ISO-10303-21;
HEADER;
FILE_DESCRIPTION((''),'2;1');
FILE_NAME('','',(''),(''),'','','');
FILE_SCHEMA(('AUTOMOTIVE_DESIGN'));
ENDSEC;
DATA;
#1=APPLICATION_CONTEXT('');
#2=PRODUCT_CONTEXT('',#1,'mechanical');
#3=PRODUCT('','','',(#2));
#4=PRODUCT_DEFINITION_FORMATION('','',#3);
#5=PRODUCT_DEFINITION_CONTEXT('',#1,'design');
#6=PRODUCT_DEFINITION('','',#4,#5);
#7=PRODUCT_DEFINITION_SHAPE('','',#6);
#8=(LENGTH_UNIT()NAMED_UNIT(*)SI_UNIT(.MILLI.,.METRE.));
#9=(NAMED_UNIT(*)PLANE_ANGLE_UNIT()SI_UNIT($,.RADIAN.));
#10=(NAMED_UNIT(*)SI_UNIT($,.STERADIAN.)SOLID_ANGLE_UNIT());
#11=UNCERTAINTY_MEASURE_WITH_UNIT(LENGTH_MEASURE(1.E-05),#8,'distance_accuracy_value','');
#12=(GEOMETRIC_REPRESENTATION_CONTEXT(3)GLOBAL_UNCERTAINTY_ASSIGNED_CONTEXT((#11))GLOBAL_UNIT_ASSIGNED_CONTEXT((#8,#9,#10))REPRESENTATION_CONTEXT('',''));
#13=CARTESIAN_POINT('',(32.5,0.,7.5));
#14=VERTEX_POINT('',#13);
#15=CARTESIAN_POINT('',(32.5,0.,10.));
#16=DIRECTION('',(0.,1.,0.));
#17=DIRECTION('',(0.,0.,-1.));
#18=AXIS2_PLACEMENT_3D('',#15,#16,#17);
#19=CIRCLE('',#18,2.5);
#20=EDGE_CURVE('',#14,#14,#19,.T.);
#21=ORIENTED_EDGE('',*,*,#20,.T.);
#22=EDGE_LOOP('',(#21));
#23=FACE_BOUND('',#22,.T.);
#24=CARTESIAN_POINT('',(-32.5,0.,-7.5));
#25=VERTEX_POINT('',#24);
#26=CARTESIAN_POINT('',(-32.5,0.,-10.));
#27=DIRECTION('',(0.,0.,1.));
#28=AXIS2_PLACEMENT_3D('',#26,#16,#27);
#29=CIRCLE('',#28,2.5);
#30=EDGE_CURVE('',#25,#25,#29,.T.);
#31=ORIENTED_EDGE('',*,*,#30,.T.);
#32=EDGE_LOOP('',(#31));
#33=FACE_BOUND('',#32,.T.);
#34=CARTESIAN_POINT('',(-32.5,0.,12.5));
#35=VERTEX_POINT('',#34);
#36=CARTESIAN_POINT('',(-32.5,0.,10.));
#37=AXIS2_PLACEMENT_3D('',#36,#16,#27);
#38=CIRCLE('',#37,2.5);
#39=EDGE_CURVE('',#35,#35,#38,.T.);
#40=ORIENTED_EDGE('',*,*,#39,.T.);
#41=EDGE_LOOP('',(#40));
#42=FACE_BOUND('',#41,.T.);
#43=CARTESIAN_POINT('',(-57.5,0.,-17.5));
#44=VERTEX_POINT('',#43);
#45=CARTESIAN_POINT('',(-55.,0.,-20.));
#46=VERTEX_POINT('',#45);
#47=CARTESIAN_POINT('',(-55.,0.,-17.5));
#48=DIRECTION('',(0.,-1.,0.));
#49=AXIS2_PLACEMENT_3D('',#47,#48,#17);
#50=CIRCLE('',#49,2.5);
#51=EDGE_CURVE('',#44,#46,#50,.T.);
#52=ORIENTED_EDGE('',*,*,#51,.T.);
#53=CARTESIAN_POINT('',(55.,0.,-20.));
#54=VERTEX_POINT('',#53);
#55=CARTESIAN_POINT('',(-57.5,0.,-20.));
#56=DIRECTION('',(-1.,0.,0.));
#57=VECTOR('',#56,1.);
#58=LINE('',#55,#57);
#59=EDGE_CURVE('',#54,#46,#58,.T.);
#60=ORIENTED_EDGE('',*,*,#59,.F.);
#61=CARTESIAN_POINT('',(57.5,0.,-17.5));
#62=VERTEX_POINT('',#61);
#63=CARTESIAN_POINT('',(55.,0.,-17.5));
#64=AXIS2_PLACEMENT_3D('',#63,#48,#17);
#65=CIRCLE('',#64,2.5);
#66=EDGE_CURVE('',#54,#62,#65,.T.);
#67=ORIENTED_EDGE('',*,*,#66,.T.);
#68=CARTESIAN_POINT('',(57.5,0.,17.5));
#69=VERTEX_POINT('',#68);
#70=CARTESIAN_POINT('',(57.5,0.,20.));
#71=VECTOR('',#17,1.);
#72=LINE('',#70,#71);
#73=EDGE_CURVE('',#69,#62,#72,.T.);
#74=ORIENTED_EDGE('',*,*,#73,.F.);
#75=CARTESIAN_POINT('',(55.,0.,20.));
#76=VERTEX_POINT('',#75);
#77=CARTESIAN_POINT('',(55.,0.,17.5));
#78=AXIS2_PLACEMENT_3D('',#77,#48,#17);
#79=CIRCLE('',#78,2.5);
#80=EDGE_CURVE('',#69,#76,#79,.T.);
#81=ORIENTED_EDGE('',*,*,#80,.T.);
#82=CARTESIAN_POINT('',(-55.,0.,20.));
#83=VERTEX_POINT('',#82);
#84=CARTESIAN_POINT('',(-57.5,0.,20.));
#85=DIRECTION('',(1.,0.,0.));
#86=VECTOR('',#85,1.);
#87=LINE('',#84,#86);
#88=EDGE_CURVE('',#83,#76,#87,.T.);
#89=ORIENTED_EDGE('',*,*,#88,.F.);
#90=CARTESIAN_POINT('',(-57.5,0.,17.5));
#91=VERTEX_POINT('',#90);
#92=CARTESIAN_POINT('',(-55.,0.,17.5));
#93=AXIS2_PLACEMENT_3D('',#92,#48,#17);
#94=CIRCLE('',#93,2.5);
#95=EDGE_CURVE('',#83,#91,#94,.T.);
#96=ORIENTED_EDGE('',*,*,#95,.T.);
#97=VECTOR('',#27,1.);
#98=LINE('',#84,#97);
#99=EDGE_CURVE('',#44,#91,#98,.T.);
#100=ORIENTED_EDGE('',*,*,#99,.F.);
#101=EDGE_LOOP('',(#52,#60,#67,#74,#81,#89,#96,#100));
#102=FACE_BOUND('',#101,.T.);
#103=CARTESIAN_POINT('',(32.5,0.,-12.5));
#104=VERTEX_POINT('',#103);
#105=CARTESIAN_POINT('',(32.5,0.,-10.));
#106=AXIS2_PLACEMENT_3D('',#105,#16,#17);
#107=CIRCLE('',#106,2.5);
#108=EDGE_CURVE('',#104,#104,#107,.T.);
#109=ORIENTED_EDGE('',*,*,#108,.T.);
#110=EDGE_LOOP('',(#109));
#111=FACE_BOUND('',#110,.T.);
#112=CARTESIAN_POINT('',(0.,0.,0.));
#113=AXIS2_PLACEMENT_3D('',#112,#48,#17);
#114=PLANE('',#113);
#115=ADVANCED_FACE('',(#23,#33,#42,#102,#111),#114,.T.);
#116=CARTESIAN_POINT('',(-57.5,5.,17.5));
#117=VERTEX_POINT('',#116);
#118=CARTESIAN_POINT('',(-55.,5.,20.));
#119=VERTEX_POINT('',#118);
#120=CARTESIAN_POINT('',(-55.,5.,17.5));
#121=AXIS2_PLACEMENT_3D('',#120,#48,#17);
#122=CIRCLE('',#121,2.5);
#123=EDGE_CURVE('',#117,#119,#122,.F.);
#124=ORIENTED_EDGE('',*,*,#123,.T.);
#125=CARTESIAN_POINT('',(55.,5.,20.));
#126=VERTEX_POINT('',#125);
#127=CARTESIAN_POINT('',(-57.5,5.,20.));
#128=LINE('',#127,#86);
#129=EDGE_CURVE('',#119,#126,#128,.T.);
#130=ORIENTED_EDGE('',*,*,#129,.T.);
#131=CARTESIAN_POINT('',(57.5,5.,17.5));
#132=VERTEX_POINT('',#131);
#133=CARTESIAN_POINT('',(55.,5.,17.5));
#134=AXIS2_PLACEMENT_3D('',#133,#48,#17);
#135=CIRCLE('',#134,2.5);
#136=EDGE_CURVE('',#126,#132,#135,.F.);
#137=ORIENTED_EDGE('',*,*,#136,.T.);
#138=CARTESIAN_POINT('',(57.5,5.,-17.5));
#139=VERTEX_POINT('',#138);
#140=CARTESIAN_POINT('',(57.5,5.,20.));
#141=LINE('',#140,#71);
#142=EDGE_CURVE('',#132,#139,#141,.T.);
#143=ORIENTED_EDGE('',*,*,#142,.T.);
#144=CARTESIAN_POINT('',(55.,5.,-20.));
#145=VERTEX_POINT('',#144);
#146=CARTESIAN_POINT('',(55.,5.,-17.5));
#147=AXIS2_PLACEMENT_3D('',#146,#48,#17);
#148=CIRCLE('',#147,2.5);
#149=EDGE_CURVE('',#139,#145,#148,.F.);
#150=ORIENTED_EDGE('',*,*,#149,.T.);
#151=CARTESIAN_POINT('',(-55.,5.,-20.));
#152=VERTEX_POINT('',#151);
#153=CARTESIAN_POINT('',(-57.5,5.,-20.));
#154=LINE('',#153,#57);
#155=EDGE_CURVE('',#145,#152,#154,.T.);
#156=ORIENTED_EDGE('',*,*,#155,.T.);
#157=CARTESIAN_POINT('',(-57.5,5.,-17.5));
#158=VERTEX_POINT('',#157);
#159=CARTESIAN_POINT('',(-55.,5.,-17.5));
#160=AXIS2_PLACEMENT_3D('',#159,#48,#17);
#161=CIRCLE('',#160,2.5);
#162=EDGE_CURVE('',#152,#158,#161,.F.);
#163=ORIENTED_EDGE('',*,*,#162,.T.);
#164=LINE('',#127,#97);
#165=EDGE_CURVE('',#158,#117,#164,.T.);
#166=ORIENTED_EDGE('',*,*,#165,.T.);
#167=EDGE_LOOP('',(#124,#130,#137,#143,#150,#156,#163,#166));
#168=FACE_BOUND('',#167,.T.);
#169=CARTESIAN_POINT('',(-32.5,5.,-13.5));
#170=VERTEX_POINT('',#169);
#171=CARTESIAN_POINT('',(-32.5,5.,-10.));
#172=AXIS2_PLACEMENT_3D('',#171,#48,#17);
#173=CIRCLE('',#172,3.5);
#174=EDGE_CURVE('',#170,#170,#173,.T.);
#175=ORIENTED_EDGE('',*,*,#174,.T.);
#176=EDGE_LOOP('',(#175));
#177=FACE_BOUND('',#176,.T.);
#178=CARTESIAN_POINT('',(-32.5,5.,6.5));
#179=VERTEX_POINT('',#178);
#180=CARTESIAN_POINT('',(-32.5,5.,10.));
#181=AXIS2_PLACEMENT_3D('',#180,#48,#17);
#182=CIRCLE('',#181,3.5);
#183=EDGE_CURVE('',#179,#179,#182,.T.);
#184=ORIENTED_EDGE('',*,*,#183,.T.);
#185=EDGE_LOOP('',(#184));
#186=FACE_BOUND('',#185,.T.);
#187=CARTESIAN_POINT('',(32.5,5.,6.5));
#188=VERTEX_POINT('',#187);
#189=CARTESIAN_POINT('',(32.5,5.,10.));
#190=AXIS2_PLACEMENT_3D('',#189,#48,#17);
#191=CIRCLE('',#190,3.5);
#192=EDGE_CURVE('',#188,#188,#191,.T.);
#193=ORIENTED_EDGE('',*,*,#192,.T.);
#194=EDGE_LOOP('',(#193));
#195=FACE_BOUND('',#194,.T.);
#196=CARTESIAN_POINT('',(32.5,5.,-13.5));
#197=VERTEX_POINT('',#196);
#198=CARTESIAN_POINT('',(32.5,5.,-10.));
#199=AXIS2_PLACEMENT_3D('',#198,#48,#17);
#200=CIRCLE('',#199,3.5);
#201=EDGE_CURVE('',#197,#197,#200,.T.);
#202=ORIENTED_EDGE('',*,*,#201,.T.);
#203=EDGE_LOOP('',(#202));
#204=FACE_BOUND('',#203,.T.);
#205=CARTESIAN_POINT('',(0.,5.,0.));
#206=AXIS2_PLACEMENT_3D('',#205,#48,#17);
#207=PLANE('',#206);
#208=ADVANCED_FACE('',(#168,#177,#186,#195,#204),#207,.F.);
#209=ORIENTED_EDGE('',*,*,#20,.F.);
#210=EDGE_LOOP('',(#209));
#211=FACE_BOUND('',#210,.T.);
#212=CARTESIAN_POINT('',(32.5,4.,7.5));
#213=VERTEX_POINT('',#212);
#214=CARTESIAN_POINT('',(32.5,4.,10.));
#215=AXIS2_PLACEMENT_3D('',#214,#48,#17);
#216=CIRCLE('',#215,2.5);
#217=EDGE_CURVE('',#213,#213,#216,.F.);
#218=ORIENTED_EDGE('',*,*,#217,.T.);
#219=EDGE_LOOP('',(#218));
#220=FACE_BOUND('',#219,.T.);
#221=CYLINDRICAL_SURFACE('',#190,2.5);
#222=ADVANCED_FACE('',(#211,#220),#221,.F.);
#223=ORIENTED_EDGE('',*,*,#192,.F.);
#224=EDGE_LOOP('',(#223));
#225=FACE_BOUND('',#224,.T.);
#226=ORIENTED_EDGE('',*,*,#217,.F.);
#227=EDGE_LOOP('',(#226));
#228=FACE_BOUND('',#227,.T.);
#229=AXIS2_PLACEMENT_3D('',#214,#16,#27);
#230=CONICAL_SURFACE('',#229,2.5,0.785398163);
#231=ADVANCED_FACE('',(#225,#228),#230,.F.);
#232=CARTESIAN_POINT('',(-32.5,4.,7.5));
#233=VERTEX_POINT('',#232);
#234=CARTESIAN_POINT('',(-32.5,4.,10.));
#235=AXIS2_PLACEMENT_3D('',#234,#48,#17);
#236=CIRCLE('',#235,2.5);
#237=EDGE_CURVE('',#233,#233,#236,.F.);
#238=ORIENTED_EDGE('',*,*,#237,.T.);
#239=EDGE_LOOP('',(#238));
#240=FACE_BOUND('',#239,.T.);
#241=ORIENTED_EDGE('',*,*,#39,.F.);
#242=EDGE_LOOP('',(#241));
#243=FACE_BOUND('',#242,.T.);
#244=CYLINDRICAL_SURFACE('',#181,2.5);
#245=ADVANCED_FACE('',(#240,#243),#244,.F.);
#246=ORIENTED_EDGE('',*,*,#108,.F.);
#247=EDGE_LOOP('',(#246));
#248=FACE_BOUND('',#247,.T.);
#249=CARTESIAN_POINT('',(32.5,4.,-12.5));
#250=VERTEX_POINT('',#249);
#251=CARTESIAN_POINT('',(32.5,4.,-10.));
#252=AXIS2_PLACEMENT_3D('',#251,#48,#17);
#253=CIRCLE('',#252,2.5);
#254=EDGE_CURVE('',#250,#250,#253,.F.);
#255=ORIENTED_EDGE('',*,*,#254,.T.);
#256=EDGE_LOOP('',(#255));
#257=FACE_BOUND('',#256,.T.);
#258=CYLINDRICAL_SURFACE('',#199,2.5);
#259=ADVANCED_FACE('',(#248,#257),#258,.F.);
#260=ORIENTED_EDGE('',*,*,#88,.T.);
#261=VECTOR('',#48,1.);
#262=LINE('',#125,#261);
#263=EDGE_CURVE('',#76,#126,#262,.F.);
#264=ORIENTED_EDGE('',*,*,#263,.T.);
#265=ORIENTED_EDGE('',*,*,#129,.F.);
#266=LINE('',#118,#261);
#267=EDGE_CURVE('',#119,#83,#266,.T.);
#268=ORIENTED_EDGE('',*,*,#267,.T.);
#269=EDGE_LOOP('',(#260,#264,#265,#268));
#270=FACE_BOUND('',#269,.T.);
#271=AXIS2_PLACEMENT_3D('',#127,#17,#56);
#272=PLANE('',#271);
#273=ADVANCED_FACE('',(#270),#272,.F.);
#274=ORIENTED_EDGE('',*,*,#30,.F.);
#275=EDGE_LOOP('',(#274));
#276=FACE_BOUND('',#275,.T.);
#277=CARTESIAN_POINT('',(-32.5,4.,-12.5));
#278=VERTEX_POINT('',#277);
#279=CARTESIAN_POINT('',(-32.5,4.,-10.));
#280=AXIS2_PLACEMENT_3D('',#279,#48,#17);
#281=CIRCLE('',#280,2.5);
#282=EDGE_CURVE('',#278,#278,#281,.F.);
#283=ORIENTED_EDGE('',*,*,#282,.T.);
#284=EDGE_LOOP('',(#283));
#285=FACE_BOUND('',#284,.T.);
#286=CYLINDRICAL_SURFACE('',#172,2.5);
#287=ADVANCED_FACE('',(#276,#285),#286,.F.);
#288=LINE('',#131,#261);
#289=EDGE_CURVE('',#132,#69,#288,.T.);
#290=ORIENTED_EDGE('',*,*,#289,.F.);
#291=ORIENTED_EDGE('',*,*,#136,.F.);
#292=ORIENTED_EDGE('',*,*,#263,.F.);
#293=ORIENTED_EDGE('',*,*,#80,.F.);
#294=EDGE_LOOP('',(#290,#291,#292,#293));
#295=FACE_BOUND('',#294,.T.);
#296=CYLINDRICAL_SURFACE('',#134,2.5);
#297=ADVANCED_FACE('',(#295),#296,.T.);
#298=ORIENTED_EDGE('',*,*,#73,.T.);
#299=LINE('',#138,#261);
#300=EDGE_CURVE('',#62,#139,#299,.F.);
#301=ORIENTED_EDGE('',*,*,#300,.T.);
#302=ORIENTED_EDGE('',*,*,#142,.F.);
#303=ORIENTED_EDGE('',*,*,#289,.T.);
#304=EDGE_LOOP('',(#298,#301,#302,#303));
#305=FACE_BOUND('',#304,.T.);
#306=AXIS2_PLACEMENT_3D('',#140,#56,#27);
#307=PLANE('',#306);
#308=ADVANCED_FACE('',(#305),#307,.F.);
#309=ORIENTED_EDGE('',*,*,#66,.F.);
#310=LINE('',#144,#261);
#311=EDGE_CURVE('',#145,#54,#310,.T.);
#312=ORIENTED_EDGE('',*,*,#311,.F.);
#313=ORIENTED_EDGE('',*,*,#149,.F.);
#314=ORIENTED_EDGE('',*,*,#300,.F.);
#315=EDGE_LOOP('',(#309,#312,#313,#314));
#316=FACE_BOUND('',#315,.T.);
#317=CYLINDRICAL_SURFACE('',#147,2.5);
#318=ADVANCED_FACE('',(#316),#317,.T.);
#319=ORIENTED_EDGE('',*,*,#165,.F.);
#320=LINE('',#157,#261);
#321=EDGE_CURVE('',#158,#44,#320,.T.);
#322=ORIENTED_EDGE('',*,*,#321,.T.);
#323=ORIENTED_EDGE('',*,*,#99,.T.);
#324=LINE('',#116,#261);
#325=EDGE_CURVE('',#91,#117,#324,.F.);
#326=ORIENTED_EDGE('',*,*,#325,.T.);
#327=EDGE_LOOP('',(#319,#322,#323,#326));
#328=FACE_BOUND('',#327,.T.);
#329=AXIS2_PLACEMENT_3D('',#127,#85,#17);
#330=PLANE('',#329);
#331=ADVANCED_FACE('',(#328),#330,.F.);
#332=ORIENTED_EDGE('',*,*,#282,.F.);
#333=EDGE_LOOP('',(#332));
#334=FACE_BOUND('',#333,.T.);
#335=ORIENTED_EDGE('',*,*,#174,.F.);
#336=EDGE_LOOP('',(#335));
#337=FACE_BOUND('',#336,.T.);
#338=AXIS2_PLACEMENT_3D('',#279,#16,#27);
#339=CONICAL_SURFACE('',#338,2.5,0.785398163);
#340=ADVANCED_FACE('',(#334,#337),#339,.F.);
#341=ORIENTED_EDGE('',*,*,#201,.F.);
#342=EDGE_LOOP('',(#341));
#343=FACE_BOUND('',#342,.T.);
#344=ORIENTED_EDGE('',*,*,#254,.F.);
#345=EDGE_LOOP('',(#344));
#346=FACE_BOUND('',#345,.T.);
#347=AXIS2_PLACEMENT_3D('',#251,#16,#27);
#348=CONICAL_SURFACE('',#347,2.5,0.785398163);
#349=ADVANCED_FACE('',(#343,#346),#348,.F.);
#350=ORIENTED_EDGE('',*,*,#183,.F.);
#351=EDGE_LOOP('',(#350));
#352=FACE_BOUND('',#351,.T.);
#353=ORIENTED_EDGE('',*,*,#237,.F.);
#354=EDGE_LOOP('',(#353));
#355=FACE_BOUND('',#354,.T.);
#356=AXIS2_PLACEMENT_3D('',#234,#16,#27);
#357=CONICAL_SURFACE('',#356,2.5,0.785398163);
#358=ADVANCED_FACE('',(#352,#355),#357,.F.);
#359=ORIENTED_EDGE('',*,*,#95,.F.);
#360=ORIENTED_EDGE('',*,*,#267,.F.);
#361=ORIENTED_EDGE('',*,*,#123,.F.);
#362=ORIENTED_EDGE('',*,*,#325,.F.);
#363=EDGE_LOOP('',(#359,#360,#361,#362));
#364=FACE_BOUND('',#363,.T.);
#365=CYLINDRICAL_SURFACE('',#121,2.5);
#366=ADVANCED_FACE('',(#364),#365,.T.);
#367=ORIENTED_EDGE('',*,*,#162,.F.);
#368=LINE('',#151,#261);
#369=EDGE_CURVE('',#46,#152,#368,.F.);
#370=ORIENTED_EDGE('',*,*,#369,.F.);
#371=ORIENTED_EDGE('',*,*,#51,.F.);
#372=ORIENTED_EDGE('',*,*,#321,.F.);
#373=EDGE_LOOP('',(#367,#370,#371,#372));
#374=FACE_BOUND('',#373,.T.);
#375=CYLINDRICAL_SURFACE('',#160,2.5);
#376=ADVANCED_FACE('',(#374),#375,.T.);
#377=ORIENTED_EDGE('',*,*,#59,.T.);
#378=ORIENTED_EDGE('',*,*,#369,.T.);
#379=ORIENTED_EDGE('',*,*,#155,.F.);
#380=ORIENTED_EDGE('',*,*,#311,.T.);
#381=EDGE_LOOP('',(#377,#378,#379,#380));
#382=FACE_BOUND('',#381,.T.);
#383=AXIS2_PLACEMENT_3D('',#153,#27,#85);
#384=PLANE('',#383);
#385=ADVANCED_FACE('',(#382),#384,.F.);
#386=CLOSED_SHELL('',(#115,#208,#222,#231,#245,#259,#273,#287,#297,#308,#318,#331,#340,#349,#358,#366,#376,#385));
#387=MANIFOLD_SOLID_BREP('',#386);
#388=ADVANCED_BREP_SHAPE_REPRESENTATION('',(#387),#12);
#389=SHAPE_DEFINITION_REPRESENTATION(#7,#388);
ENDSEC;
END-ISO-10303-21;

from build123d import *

# Parameters (mm, degrees)
SKETCH1_W           = 115
SKETCH1_H           = 40
SKETCH1_R           = 2.5
BOSS_EXTRUDE1_DEPTH = 5
FILLET1_R           = 2.5
CHAMFER1_SIZE       = 1


with BuildPart() as part:
    # Sketch1 → Boss-Extrude1 (new body)
    with BuildSketch(Plane(origin=(0, 0, 0), x_dir=(1, 0, 0), z_dir=(0, 1, 0))):
        Rectangle(SKETCH1_W, SKETCH1_H)
        with Locations(Location((-32.5, 10, 0), (0, 0, 270))):
            Circle(SKETCH1_R, mode=Mode.SUBTRACT)
        with Locations(Location((-32.5, -10, 0), (0, 0, 270))):
            Circle(SKETCH1_R, mode=Mode.SUBTRACT)
        with Locations(Location((32.5, -10, 0), (0, 0, 90))):
            Circle(SKETCH1_R, mode=Mode.SUBTRACT)
        with Locations(Location((32.5, 10, 0), (0, 0, 90))):
            Circle(SKETCH1_R, mode=Mode.SUBTRACT)
    extrude(amount=BOSS_EXTRUDE1_DEPTH)

    # Fillet1
    fillet1_edges = [part.edges().sort_by_distance(p)[0] for p in [
        (57.5, 2.5, 20),
        (-57.5, 2.5, 20),
        (-57.5, 2.5, -20),
        (57.5, 2.5, -20),
    ]]
    fillet(fillet1_edges, radius=FILLET1_R)

    # Chamfer1
    chamfer1_edges = [part.edges().sort_by_distance(p)[0] for p in [
        (-32.5, 5, -12.5),
        (-32.5, 5, 7.5),
        (32.5, 5, 12.5),
        (32.5, 5, -7.5),
    ]]
    chamfer(chamfer1_edges, length=CHAMFER1_SIZE)


solid = part.part
